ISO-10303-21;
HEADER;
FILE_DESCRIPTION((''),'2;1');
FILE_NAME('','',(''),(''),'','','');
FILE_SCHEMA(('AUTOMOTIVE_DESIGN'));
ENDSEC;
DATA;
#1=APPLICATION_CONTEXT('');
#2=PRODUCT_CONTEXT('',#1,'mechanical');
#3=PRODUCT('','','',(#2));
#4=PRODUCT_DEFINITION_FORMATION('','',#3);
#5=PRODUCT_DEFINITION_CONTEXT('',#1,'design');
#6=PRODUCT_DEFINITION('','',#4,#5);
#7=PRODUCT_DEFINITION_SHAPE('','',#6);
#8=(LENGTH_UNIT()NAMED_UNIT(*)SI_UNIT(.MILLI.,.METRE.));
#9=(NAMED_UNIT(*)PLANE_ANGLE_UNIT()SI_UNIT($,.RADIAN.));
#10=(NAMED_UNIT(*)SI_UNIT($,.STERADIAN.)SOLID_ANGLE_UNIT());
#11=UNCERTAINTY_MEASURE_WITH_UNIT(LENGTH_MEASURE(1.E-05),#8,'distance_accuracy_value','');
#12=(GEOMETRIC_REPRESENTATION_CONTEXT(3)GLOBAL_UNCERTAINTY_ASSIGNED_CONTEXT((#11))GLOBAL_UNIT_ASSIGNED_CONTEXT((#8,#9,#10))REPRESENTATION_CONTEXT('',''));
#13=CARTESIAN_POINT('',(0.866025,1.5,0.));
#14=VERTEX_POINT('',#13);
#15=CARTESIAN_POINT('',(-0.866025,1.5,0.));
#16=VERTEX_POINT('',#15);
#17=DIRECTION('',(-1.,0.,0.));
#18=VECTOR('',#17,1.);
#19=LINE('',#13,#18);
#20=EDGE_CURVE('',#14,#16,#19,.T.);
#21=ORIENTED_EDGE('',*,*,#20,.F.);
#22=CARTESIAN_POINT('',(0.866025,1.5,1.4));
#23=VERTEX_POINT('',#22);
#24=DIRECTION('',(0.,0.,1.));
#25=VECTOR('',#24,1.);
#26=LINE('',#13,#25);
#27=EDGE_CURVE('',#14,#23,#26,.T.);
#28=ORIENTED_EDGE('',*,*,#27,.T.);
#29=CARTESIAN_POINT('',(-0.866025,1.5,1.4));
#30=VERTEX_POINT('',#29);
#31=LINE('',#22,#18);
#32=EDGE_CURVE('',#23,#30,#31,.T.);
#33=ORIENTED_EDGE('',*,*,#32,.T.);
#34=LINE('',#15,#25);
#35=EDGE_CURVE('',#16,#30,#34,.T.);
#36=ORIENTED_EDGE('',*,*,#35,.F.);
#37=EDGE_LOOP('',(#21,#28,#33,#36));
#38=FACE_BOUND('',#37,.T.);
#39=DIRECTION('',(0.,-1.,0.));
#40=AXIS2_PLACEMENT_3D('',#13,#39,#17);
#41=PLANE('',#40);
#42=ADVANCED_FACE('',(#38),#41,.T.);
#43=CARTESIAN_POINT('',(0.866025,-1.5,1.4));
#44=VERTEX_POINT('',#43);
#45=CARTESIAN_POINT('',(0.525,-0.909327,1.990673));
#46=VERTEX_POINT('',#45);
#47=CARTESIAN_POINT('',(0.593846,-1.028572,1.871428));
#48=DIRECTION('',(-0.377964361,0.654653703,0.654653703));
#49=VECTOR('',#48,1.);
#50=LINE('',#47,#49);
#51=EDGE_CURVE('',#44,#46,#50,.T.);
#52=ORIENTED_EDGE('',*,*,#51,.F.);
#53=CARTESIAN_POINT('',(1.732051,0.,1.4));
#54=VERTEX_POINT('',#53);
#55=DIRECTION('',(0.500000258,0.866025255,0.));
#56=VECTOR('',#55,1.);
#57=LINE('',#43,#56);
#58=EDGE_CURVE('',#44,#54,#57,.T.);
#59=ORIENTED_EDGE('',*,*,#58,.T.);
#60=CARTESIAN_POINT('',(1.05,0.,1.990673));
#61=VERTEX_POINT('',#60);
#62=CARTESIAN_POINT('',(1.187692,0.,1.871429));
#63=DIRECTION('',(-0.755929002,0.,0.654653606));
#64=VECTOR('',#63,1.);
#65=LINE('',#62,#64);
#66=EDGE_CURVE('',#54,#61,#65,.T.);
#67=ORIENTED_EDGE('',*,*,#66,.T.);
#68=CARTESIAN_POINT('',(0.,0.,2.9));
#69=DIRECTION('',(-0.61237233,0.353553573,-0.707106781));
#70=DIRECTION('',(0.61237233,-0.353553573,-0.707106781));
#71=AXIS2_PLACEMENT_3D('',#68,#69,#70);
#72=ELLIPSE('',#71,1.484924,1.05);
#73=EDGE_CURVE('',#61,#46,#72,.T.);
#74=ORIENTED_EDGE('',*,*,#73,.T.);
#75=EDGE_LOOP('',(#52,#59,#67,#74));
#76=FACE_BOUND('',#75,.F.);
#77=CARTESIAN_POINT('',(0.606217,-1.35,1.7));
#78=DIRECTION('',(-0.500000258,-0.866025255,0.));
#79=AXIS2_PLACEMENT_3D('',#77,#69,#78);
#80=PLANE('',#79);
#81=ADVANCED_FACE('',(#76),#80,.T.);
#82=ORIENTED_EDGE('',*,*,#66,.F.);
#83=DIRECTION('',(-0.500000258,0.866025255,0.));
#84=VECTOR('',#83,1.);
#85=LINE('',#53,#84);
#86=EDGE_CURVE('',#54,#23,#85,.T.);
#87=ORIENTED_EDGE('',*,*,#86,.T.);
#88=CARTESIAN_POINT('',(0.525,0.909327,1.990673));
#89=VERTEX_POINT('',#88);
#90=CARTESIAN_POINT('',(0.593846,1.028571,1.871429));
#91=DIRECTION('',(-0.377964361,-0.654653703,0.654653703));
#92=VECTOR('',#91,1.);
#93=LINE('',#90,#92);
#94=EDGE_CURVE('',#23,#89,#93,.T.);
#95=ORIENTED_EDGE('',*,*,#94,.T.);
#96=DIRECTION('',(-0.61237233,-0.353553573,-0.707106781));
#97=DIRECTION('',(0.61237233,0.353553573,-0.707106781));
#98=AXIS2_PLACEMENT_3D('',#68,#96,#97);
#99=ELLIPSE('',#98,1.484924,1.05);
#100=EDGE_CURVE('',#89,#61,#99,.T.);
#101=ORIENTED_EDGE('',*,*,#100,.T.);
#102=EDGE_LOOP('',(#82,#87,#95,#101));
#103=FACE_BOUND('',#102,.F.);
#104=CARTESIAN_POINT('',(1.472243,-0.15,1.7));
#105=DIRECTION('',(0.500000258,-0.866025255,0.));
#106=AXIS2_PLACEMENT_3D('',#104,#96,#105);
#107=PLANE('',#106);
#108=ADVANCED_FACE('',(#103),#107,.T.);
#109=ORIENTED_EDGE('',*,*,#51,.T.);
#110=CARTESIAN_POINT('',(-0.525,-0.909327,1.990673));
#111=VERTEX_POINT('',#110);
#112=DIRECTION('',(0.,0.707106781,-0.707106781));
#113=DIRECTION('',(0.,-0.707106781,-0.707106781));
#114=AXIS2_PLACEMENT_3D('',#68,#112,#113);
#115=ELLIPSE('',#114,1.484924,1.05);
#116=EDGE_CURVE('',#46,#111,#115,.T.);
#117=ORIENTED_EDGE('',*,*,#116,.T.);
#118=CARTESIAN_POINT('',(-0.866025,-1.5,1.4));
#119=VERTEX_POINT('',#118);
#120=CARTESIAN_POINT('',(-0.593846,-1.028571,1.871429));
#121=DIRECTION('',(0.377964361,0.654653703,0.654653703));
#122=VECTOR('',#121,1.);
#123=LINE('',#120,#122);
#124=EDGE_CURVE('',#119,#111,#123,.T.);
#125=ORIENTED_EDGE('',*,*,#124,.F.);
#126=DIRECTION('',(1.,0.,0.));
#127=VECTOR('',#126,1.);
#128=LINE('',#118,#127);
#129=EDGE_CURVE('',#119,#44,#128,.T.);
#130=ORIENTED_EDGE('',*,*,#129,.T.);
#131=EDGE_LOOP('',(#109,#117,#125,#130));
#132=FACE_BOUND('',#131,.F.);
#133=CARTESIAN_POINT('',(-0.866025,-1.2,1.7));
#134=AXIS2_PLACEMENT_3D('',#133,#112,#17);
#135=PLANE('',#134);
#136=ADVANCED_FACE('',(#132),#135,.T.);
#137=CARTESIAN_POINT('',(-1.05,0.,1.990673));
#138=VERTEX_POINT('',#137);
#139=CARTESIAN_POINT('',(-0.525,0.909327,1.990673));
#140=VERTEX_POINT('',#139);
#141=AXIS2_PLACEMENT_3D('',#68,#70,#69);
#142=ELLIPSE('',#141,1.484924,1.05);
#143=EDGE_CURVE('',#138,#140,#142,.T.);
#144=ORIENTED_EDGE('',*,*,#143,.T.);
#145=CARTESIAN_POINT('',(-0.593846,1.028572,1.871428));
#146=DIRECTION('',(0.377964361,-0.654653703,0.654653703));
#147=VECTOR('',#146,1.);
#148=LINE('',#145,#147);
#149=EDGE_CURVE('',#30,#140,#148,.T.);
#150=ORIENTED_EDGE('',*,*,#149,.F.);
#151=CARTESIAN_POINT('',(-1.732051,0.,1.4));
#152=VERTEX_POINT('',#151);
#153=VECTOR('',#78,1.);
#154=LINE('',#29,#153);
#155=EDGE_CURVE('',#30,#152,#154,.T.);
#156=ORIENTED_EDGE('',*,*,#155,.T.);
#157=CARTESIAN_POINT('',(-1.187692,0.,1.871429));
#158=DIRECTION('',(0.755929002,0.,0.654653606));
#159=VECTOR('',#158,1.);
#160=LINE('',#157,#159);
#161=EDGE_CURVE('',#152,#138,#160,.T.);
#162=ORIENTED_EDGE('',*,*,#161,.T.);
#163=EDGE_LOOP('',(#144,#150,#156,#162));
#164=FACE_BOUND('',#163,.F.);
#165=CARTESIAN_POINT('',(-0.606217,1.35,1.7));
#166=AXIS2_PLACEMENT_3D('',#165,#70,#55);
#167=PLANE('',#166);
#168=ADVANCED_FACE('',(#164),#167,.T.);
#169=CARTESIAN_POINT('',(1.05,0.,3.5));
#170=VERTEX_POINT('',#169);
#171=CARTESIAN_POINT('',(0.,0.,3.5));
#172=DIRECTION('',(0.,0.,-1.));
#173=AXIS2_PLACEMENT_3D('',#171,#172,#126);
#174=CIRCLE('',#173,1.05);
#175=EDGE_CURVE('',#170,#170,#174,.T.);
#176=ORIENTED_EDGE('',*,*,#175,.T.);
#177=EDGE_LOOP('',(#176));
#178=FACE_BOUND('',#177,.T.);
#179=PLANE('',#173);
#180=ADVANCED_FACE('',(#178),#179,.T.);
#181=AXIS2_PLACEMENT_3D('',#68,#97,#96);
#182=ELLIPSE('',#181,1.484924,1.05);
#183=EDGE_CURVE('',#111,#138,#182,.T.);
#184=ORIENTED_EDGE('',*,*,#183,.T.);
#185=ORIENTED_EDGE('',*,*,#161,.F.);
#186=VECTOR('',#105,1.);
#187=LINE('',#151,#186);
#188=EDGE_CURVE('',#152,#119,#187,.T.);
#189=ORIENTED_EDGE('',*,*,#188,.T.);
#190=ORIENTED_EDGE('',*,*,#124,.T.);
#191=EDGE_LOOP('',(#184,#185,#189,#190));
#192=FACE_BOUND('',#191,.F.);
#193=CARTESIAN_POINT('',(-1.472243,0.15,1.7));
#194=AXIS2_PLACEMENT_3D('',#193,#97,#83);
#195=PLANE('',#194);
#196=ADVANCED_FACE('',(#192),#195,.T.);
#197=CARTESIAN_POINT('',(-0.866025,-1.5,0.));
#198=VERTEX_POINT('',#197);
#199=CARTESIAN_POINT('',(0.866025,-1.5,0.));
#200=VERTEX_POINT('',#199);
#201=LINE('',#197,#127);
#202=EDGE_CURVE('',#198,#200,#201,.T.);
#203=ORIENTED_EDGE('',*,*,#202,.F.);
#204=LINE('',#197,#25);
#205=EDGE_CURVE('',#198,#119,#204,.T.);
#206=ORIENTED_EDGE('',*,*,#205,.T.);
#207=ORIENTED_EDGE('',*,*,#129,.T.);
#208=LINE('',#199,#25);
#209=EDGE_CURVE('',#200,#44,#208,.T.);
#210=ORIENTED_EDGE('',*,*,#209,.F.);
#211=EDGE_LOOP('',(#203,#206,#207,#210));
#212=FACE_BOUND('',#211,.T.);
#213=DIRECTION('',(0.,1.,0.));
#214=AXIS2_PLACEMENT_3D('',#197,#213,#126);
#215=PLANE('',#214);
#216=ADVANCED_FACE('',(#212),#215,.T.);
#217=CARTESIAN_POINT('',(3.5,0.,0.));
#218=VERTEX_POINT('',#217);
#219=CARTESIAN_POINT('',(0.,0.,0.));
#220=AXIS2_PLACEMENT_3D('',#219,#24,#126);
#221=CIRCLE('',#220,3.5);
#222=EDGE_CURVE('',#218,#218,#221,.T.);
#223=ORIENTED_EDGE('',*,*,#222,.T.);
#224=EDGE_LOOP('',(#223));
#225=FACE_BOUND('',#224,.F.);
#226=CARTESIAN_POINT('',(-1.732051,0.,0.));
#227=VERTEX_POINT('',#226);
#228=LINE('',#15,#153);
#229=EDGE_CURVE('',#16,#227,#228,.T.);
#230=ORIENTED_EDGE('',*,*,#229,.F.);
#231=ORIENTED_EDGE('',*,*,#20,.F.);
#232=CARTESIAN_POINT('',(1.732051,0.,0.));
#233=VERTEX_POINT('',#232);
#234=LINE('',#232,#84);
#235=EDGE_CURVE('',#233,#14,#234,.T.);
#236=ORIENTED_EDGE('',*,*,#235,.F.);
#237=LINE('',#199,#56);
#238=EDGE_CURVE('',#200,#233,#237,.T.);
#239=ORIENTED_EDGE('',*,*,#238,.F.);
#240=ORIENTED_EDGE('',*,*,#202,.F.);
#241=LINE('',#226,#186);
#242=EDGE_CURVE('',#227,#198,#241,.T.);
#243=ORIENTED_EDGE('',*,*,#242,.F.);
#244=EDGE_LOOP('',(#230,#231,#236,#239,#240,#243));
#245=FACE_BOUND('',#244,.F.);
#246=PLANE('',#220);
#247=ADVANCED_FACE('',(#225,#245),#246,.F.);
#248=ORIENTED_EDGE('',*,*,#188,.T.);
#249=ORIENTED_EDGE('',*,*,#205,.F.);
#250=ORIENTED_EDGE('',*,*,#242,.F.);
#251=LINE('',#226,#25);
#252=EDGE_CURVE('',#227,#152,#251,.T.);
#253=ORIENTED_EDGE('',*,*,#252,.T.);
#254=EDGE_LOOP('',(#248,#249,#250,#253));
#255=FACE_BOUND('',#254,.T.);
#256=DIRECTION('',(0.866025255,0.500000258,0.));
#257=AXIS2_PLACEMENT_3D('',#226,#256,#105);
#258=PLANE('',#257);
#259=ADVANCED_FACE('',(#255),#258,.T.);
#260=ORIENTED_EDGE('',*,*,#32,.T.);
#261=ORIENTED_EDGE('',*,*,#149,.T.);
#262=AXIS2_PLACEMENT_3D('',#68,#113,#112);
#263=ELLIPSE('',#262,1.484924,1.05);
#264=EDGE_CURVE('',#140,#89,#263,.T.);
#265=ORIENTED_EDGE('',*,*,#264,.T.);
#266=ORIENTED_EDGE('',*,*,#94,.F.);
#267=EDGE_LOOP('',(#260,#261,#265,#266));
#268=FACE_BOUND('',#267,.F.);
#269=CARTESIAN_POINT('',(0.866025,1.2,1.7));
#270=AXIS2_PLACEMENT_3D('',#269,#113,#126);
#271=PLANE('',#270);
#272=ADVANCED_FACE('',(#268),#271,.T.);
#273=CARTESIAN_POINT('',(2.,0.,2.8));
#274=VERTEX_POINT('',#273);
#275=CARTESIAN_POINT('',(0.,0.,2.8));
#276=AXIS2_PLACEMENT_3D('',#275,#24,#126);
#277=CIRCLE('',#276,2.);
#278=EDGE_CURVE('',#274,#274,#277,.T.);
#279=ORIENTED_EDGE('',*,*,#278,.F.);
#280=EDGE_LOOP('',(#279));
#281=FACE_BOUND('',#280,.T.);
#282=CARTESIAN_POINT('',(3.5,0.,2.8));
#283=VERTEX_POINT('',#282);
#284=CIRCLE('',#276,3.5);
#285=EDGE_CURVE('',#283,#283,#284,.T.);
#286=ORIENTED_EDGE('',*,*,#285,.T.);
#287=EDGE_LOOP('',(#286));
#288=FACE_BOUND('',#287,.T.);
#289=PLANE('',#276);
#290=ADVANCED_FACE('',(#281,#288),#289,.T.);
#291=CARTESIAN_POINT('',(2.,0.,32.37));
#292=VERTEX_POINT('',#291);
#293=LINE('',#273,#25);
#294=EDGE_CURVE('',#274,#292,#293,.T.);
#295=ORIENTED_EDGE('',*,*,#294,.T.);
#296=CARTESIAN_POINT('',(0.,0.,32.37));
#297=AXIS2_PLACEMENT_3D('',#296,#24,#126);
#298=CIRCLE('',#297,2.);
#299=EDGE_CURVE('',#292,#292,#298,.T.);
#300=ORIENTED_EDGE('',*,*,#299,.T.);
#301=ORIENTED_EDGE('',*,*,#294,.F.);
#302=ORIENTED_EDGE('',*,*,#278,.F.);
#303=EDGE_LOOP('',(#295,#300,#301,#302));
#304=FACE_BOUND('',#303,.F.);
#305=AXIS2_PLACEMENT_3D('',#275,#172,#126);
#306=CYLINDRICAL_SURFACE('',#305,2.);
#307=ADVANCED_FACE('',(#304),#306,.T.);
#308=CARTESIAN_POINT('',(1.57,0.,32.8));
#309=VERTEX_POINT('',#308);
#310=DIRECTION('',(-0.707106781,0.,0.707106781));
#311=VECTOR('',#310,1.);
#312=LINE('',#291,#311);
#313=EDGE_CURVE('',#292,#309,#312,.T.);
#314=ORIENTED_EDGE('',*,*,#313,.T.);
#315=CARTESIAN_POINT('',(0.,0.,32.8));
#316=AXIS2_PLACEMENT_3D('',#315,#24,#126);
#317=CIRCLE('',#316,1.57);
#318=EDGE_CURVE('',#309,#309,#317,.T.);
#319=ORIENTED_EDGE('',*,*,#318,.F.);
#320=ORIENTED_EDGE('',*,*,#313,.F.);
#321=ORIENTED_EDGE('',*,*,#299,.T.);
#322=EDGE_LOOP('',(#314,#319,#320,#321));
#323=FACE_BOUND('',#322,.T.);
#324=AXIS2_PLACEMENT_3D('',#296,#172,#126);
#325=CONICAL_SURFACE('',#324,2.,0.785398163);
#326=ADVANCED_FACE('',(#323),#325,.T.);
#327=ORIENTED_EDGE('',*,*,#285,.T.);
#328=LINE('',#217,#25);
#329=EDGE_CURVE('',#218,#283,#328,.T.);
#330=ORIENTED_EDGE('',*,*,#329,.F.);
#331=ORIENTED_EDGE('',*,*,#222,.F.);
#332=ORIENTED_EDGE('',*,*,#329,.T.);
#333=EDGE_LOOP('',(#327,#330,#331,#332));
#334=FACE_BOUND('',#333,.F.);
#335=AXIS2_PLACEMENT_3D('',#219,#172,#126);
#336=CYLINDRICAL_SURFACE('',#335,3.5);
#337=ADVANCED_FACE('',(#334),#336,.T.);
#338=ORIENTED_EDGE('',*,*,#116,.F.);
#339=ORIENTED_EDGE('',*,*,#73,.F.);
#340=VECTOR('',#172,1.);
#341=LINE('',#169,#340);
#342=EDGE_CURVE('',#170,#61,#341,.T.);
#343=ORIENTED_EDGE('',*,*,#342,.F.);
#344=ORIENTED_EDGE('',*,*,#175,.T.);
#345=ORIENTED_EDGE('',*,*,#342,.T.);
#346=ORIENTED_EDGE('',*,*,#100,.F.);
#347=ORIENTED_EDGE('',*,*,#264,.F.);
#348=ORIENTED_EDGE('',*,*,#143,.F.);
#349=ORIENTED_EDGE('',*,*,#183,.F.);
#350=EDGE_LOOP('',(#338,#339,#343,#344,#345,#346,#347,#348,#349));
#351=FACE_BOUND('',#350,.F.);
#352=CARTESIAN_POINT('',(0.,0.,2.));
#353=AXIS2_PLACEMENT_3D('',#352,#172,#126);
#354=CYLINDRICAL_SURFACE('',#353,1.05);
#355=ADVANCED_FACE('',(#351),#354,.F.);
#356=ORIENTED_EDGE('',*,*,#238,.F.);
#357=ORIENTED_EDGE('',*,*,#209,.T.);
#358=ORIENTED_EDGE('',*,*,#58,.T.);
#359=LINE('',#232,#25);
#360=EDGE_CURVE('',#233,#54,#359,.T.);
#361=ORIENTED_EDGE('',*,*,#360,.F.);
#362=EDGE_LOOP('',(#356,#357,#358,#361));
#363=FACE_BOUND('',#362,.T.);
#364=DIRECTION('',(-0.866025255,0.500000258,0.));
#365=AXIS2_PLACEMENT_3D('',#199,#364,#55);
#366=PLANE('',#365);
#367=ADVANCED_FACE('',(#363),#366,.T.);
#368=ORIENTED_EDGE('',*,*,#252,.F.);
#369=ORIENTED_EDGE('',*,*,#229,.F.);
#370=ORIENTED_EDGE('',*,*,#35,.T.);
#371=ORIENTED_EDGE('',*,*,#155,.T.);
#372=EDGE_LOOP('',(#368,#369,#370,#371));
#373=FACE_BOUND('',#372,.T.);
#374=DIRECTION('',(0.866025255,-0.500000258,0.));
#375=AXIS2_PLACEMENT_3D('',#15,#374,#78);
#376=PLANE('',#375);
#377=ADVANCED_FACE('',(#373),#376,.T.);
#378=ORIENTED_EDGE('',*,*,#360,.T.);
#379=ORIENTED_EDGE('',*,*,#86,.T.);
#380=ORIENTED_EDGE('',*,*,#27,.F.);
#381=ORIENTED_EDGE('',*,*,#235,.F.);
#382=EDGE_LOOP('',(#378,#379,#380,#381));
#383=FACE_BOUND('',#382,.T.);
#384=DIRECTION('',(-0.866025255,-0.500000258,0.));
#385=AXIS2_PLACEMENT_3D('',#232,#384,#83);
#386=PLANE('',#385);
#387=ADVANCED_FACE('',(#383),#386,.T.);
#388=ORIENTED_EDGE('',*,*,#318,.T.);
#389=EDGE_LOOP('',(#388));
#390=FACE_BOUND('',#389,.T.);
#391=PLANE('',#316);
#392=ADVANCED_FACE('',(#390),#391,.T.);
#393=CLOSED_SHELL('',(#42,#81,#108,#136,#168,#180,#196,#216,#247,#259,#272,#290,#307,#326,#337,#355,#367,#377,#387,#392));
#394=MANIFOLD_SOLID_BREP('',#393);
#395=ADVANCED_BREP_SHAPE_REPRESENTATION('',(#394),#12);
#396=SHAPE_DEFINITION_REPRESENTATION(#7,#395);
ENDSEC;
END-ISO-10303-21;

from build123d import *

# Parameters (mm, degrees)
SKETCH_R        = 3.5
PAD_DEPTH       = 2.8
SKETCH001_R     = 2
PAD001_DEPTH    = 30
CHAMFER_SIZE    = 0.43
POCKET_DEPTH    = 2
CHAMFER001_SIZE = 0.6
SKETCH003_R     = 1.05
POCKET001_DEPTH = 1.5


with BuildPart() as part:
    # Sketch → Pad (new body)
    with BuildSketch(Plane.XY):
        Circle(SKETCH_R)
    extrude(amount=PAD_DEPTH)

    # Sketch001 → Pad001 (new body)
    with BuildSketch(Plane.XY.offset(2.8)):
        Circle(SKETCH001_R)
    extrude(amount=PAD001_DEPTH)

    # Chamfer
    chamfer_edges = [part.edges().sort_by_distance(p)[0] for p in [
        (-2, 0, 32.8),
    ]]
    chamfer(chamfer_edges, length=CHAMFER_SIZE)

    # Sketch002 → Pocket (cut)
    with BuildSketch(Plane(origin=(0, 0, 0), x_dir=(1, 0, 0), z_dir=(0, 0, -1))):
        Polygon((-0.866025, 1.5), (0.866025, 1.5), (1.732051, 0), (0.866025, -1.5), (-0.866025, -1.5), (-1.732051, 0), align=None)
    extrude(amount=-POCKET_DEPTH, mode=Mode.SUBTRACT)

    # Chamfer001
    chamfer001_edges = [part.edges().sort_by_distance(p)[0] for p in [
        (0, -1.5, 2),
        (1.299038, -0.75, 2),
        (1.299038, 0.75, 2),
        (0, 1.5, 2),
        (-1.299038, 0.75, 2),
        (-1.299038, -0.75, 2),
    ]]
    chamfer(chamfer001_edges, length=CHAMFER001_SIZE)

    # Sketch003 → Pocket001 (cut, symmetric)
    with BuildSketch(Plane(origin=(0, 0, 2), x_dir=(1, 0, 0), z_dir=(0, 0, -1))):
        Circle(SKETCH003_R)
    extrude(amount=POCKET001_DEPTH, both=True, mode=Mode.SUBTRACT)


solid = part.part
